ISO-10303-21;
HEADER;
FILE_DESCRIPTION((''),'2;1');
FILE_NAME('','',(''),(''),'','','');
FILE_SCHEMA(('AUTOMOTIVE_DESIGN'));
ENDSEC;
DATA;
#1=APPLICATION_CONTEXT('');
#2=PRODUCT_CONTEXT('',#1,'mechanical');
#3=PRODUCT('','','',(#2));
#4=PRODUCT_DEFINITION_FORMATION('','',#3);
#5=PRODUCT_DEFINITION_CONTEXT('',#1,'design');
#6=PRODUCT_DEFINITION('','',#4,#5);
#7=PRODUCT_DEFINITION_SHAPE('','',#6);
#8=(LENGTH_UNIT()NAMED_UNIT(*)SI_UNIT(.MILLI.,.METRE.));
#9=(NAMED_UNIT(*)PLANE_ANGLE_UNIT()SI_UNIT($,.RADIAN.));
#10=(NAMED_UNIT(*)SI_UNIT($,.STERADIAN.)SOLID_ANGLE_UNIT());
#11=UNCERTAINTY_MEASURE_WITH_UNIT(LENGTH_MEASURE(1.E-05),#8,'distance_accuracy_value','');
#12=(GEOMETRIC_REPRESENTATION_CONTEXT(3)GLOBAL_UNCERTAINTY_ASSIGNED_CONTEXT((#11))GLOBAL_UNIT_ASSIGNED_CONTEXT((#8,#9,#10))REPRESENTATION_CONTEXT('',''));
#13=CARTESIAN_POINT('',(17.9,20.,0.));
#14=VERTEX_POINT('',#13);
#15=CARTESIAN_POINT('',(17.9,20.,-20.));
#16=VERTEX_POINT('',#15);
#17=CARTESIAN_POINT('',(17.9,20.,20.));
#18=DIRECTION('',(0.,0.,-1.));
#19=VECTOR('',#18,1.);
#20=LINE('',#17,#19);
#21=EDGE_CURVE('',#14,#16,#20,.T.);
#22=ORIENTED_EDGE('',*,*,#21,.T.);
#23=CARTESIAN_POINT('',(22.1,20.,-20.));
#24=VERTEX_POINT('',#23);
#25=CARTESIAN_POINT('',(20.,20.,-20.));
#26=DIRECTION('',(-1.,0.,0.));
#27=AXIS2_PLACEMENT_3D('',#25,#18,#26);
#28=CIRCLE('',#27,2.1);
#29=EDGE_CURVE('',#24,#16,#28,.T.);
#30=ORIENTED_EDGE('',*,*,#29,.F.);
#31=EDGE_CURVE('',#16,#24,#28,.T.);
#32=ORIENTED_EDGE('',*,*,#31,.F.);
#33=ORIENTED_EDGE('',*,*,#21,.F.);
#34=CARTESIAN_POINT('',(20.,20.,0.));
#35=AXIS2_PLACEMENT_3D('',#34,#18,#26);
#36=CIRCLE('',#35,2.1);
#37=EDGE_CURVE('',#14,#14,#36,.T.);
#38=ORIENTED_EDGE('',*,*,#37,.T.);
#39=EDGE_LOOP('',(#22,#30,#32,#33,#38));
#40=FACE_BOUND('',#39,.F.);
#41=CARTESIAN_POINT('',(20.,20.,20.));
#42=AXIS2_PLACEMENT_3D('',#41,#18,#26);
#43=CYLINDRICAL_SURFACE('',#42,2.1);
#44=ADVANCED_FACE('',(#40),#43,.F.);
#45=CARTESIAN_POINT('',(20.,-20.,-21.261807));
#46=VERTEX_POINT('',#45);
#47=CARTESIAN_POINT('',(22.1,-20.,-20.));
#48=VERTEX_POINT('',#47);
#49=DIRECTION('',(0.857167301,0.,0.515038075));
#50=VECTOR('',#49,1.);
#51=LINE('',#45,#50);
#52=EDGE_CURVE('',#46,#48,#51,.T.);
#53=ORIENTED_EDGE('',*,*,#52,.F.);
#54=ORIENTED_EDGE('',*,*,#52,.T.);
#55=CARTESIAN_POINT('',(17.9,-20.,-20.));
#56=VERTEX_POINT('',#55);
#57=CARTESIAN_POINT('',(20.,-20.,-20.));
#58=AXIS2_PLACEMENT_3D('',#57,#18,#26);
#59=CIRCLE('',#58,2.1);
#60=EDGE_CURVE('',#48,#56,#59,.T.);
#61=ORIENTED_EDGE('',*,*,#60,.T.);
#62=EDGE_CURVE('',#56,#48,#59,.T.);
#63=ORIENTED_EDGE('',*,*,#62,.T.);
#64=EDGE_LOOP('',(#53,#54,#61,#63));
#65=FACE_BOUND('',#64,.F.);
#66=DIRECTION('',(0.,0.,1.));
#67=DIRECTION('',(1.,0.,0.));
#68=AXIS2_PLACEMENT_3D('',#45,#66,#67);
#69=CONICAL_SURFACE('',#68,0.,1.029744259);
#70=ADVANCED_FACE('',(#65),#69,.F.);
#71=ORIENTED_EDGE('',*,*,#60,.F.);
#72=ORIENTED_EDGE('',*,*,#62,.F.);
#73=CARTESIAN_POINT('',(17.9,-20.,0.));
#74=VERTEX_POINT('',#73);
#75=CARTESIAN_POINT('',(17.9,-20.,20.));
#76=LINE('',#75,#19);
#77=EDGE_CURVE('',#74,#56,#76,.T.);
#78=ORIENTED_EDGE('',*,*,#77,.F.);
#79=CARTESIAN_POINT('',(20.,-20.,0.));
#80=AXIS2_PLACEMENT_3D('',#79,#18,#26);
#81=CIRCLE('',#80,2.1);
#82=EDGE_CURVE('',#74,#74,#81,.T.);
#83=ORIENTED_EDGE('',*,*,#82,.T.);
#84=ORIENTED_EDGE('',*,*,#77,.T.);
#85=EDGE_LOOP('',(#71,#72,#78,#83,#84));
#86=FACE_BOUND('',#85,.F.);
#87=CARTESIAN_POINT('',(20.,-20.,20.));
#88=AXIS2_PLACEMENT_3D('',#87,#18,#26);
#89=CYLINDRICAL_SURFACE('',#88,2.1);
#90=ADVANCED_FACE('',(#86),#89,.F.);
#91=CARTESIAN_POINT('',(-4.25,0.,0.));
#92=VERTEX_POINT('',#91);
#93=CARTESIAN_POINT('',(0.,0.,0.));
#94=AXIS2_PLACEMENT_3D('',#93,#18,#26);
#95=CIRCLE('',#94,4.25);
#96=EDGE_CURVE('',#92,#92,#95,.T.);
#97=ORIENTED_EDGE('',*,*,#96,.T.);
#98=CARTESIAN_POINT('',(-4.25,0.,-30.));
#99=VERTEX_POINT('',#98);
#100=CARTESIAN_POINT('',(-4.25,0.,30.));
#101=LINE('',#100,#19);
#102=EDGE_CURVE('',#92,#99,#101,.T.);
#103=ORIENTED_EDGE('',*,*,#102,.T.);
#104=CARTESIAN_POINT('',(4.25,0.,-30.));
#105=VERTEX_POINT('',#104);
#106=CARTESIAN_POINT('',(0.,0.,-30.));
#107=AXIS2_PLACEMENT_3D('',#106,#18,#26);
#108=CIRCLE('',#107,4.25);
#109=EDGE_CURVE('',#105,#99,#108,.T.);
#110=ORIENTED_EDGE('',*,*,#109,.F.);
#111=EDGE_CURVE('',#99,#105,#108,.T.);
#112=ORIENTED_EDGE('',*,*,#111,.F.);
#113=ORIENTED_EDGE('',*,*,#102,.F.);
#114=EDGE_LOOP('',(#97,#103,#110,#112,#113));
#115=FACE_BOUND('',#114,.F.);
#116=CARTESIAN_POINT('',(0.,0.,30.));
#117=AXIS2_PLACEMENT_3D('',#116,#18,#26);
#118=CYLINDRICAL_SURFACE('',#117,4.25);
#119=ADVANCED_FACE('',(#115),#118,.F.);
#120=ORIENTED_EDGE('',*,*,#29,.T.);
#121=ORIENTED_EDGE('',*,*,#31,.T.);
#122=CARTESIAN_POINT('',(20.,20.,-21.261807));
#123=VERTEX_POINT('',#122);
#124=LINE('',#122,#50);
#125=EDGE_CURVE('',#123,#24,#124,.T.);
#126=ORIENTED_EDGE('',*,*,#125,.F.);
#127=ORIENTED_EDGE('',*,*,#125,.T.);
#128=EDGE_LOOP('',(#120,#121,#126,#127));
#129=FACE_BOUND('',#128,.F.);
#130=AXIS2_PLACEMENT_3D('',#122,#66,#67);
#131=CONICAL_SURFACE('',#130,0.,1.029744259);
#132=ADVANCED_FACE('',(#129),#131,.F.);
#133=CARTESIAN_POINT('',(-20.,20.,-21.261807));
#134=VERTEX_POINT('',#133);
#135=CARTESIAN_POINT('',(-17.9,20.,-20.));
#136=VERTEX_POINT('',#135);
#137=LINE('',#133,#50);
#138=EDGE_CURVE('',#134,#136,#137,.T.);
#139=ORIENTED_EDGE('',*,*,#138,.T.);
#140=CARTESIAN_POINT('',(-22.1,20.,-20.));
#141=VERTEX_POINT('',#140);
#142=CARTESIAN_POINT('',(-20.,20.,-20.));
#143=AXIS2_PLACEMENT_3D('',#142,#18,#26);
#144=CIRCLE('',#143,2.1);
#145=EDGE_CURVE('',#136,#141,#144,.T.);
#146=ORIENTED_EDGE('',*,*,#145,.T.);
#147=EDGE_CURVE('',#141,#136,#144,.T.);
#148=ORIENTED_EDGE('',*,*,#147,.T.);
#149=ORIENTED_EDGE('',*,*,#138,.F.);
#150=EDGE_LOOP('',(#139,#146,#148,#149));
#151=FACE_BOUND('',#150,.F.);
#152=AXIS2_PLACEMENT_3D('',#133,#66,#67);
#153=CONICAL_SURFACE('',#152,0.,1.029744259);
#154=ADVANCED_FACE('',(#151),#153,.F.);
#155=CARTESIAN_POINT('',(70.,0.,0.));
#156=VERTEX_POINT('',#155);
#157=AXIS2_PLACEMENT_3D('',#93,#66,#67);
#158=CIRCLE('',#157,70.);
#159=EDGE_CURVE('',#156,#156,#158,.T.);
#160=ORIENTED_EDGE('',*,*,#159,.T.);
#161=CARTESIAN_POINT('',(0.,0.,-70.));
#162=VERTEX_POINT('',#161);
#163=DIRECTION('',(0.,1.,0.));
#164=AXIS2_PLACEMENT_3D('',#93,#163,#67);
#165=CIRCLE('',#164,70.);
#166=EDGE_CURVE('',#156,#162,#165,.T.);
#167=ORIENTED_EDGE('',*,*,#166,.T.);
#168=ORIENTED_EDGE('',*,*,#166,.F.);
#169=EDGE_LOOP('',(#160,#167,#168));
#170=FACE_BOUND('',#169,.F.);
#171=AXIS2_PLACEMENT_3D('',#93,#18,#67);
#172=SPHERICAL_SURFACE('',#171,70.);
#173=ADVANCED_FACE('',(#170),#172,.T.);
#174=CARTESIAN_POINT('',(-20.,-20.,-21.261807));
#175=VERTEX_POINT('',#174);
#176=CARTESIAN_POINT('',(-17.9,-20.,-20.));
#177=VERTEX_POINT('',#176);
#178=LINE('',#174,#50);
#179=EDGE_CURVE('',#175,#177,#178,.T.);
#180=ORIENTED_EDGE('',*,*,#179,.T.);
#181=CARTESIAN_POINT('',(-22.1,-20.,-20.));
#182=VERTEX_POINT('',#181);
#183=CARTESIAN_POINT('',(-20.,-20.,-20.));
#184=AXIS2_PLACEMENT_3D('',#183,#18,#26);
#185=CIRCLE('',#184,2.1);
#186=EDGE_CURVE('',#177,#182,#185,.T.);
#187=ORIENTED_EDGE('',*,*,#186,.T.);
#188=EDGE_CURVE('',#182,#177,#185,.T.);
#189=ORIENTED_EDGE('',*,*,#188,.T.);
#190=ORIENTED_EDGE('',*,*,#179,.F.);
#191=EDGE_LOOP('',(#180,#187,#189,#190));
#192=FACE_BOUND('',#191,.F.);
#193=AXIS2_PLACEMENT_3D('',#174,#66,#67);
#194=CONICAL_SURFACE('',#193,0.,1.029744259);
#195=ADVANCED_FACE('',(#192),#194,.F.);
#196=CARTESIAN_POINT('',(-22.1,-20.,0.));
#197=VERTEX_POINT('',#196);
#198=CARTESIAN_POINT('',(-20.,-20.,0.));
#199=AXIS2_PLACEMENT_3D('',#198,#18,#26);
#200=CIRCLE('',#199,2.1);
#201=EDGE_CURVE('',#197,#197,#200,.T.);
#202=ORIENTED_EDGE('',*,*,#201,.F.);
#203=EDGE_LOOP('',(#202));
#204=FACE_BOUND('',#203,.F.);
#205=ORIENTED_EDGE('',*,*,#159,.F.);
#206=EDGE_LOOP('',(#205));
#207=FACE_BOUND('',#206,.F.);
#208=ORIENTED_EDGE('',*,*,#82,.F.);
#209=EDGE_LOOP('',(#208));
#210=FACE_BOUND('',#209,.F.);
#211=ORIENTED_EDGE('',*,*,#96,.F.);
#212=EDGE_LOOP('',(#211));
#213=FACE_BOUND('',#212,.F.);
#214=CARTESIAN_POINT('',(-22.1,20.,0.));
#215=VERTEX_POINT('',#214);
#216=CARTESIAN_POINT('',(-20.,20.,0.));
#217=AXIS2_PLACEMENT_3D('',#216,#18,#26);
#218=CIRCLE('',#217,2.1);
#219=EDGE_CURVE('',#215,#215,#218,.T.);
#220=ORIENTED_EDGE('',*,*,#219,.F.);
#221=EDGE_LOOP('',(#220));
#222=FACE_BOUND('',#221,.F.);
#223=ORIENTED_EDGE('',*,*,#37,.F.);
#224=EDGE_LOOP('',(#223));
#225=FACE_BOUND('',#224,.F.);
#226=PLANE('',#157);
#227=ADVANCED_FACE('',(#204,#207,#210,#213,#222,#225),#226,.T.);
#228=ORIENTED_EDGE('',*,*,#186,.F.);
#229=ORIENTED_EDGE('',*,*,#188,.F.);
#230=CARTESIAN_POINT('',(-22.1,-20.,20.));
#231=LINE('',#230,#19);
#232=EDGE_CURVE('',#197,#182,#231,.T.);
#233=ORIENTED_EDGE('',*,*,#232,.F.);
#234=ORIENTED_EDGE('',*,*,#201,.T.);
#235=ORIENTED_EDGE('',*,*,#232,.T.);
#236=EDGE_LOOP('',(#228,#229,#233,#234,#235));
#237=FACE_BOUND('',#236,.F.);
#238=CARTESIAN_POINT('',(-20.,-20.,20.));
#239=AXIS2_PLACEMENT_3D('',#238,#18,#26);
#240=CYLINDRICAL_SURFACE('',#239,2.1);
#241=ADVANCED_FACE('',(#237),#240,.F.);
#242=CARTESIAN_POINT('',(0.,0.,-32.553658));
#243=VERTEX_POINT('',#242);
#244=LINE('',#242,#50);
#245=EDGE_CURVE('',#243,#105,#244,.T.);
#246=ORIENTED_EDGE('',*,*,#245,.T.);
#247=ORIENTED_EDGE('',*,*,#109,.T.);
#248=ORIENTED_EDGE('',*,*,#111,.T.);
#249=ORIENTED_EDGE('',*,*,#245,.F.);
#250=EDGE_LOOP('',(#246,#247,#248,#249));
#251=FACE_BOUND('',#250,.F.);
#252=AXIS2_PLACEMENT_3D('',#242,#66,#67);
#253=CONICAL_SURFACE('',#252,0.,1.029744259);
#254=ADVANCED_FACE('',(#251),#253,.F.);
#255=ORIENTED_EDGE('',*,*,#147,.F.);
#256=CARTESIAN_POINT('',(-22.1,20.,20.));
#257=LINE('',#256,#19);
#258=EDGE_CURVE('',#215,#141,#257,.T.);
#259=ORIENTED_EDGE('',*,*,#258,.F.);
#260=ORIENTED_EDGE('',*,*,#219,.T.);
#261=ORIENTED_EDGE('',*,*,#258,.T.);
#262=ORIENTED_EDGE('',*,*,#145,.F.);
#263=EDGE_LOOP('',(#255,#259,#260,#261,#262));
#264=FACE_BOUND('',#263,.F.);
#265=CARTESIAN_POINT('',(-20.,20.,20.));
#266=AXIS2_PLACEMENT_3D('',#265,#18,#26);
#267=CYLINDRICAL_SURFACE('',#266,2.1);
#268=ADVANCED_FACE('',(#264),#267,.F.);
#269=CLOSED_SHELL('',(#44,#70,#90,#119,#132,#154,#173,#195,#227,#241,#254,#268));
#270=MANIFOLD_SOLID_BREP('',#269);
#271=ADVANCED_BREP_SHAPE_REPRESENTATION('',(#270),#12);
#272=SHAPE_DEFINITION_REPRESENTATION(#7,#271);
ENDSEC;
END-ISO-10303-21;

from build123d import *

# Parameters (mm, degrees)
M10_TAPPED_HOLE1_D     = 8.5
M10_TAPPED_HOLE1_DEPTH = 30
M10_TAPPED_HOLE1_TIP   = 2.553657631
M5_TAPPED_HOLE1_D      = 4.2
M5_TAPPED_HOLE1_DEPTH  = 20
M5_TAPPED_HOLE1_TIP    = 1.2618073


with BuildPart() as part:
    # Sketch2 → Revolve1 (revolve)
    with BuildSketch(Plane(origin=(0, 0, 0), x_dir=(1, 0, 0), z_dir=(0, 1, 0))):
        with BuildLine():
            Line((0, 70), (0, 0))
            Line((0, 0), (70, 0))
            ThreePointArc((70, 0), (49.497474683, 49.497474683), (0, 70))
        make_face()
    revolve(axis=Axis((0, 0, -70), (0, 0, 1)))

    # M10 Tapped Hole1
    with Locations(Plane.XY):
        with Locations((0, 0)):
            Hole(M10_TAPPED_HOLE1_D / 2, depth=M10_TAPPED_HOLE1_DEPTH)
            with Locations((0, 0, -(M10_TAPPED_HOLE1_DEPTH + M10_TAPPED_HOLE1_TIP / 2))):  # 118° drill point
                Cone(0, M10_TAPPED_HOLE1_D / 2, M10_TAPPED_HOLE1_TIP, mode=Mode.SUBTRACT)

    # M5 Tapped Hole1
    with Locations(Plane.XY):
        with Locations((-20, 20), (20, 20), (20, -20), (-20, -20)):
            Hole(M5_TAPPED_HOLE1_D / 2, depth=M5_TAPPED_HOLE1_DEPTH)
            with Locations((0, 0, -(M5_TAPPED_HOLE1_DEPTH + M5_TAPPED_HOLE1_TIP / 2))):  # 118° drill point
                Cone(0, M5_TAPPED_HOLE1_D / 2, M5_TAPPED_HOLE1_TIP, mode=Mode.SUBTRACT)


solid = part.part
